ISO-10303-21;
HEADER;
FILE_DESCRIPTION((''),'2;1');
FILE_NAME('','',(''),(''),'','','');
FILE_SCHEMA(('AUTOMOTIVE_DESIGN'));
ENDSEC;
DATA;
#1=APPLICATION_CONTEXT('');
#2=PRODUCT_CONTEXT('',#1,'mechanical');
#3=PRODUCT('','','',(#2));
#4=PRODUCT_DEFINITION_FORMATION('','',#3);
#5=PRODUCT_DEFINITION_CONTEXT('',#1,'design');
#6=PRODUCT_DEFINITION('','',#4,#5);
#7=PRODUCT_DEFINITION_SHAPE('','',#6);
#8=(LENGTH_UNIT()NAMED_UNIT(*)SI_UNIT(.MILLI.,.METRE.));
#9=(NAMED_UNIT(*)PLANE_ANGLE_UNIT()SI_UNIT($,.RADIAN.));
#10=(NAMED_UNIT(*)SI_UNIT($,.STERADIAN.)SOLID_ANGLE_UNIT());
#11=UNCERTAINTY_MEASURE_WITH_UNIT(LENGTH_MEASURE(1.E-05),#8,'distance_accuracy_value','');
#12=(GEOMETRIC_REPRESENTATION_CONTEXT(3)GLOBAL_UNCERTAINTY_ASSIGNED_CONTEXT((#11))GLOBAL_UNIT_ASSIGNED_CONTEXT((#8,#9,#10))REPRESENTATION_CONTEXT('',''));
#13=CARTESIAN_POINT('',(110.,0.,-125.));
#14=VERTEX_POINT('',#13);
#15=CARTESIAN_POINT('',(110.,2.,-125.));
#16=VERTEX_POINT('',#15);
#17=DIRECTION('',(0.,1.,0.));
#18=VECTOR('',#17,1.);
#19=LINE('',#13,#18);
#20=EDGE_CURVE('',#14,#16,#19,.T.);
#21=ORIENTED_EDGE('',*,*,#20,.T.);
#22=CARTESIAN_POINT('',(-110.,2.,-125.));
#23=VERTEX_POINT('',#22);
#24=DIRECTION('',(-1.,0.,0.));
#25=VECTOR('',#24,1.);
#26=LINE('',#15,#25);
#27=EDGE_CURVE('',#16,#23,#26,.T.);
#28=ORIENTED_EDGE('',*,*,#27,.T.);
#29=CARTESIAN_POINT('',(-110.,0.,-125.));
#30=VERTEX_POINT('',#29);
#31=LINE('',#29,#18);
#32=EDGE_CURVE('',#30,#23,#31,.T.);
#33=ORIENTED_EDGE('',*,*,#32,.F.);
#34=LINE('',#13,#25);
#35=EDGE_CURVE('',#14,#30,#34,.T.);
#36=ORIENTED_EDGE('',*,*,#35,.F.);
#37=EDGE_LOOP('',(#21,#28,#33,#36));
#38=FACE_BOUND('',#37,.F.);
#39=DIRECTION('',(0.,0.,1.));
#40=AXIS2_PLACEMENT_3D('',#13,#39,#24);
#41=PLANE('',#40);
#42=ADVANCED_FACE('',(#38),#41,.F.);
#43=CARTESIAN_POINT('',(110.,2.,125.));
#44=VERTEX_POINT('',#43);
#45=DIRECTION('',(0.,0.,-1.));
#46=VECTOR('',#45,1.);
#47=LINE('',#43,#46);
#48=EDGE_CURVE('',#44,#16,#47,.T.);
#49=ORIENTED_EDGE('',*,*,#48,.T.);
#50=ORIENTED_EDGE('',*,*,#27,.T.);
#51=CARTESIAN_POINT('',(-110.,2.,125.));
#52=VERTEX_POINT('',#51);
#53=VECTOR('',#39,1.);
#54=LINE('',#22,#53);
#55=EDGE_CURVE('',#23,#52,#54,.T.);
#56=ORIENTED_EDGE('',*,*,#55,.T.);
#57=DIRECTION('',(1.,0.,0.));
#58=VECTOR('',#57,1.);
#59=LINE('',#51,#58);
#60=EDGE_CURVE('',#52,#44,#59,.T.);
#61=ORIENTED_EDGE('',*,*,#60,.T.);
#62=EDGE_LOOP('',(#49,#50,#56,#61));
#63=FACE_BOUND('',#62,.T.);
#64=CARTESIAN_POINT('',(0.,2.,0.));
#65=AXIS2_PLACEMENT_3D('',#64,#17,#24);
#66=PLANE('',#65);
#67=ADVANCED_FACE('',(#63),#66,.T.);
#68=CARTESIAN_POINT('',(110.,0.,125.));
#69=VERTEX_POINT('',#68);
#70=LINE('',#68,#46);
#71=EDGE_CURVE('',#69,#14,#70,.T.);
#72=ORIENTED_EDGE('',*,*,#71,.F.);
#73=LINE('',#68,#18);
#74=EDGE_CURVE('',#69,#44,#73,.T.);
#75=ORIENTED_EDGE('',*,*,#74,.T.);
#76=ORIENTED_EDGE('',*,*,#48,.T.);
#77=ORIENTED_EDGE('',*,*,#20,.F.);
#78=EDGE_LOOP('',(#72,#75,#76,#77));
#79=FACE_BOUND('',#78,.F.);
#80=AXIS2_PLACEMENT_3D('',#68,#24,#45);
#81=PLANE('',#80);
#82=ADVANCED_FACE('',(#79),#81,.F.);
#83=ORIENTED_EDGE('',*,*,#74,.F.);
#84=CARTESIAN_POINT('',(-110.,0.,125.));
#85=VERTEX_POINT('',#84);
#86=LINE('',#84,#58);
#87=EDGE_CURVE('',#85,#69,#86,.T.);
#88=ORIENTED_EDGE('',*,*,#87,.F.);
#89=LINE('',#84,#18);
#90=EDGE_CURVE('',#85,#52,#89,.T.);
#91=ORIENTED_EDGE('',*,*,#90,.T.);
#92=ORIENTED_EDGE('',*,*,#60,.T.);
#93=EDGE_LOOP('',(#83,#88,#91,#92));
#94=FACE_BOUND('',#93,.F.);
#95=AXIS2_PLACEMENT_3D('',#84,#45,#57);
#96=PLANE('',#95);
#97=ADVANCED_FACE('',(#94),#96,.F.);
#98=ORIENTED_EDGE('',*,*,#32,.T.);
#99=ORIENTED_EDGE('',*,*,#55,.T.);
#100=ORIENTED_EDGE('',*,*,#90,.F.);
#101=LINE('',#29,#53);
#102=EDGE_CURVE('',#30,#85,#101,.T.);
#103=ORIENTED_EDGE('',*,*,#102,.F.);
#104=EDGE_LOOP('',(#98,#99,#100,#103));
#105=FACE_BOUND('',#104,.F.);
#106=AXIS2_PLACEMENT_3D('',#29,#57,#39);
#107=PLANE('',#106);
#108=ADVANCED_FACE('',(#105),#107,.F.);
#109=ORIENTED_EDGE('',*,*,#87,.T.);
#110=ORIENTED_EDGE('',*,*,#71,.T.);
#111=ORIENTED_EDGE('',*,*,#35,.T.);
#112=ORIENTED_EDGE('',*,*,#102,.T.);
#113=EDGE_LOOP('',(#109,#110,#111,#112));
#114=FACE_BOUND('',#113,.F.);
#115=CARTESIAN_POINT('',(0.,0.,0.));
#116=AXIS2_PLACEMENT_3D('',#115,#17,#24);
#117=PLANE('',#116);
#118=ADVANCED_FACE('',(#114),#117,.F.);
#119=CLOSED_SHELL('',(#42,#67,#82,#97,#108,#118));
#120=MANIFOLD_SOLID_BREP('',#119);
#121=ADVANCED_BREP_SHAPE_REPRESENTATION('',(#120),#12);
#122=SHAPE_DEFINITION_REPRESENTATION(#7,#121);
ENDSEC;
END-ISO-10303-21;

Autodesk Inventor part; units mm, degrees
ref_plane "YZ Plane" through (0, 0, 0) normal (1, 0, 0) x (0, 1, 0)
ref_plane "XZ Plane" through (0, 0, 0) normal (0, 1, 0) x (-1, 0, 0)
ref_plane "XY Plane" through (0, 0, 0) normal (0, 0, 1) x (1, 0, 0)
sketch "Sketch1" plane through (0, 0, 0) normal (0, 1, 0) x (-1, 0, 0)
  line L0 (110, 125) -> (-110, 125)
  line L1 (-110, 125) -> (-110, -125)
  line L2 (-110, -125) -> (110, -125)
  line L3 (110, -125) -> (110, 125)
  line L4 (110, 125) -> (-110, -125) construction
  line L5 (-110, 125) -> (110, -125) construction
  point P0 (0, 0)
  dimension "d0" = 220
  dimension "d1" = 250
extrude "Extrusion1" add sketch "Sketch1" along normal blind 2
properties part number "Base Acryl Plate" material "ABS Plastic"
